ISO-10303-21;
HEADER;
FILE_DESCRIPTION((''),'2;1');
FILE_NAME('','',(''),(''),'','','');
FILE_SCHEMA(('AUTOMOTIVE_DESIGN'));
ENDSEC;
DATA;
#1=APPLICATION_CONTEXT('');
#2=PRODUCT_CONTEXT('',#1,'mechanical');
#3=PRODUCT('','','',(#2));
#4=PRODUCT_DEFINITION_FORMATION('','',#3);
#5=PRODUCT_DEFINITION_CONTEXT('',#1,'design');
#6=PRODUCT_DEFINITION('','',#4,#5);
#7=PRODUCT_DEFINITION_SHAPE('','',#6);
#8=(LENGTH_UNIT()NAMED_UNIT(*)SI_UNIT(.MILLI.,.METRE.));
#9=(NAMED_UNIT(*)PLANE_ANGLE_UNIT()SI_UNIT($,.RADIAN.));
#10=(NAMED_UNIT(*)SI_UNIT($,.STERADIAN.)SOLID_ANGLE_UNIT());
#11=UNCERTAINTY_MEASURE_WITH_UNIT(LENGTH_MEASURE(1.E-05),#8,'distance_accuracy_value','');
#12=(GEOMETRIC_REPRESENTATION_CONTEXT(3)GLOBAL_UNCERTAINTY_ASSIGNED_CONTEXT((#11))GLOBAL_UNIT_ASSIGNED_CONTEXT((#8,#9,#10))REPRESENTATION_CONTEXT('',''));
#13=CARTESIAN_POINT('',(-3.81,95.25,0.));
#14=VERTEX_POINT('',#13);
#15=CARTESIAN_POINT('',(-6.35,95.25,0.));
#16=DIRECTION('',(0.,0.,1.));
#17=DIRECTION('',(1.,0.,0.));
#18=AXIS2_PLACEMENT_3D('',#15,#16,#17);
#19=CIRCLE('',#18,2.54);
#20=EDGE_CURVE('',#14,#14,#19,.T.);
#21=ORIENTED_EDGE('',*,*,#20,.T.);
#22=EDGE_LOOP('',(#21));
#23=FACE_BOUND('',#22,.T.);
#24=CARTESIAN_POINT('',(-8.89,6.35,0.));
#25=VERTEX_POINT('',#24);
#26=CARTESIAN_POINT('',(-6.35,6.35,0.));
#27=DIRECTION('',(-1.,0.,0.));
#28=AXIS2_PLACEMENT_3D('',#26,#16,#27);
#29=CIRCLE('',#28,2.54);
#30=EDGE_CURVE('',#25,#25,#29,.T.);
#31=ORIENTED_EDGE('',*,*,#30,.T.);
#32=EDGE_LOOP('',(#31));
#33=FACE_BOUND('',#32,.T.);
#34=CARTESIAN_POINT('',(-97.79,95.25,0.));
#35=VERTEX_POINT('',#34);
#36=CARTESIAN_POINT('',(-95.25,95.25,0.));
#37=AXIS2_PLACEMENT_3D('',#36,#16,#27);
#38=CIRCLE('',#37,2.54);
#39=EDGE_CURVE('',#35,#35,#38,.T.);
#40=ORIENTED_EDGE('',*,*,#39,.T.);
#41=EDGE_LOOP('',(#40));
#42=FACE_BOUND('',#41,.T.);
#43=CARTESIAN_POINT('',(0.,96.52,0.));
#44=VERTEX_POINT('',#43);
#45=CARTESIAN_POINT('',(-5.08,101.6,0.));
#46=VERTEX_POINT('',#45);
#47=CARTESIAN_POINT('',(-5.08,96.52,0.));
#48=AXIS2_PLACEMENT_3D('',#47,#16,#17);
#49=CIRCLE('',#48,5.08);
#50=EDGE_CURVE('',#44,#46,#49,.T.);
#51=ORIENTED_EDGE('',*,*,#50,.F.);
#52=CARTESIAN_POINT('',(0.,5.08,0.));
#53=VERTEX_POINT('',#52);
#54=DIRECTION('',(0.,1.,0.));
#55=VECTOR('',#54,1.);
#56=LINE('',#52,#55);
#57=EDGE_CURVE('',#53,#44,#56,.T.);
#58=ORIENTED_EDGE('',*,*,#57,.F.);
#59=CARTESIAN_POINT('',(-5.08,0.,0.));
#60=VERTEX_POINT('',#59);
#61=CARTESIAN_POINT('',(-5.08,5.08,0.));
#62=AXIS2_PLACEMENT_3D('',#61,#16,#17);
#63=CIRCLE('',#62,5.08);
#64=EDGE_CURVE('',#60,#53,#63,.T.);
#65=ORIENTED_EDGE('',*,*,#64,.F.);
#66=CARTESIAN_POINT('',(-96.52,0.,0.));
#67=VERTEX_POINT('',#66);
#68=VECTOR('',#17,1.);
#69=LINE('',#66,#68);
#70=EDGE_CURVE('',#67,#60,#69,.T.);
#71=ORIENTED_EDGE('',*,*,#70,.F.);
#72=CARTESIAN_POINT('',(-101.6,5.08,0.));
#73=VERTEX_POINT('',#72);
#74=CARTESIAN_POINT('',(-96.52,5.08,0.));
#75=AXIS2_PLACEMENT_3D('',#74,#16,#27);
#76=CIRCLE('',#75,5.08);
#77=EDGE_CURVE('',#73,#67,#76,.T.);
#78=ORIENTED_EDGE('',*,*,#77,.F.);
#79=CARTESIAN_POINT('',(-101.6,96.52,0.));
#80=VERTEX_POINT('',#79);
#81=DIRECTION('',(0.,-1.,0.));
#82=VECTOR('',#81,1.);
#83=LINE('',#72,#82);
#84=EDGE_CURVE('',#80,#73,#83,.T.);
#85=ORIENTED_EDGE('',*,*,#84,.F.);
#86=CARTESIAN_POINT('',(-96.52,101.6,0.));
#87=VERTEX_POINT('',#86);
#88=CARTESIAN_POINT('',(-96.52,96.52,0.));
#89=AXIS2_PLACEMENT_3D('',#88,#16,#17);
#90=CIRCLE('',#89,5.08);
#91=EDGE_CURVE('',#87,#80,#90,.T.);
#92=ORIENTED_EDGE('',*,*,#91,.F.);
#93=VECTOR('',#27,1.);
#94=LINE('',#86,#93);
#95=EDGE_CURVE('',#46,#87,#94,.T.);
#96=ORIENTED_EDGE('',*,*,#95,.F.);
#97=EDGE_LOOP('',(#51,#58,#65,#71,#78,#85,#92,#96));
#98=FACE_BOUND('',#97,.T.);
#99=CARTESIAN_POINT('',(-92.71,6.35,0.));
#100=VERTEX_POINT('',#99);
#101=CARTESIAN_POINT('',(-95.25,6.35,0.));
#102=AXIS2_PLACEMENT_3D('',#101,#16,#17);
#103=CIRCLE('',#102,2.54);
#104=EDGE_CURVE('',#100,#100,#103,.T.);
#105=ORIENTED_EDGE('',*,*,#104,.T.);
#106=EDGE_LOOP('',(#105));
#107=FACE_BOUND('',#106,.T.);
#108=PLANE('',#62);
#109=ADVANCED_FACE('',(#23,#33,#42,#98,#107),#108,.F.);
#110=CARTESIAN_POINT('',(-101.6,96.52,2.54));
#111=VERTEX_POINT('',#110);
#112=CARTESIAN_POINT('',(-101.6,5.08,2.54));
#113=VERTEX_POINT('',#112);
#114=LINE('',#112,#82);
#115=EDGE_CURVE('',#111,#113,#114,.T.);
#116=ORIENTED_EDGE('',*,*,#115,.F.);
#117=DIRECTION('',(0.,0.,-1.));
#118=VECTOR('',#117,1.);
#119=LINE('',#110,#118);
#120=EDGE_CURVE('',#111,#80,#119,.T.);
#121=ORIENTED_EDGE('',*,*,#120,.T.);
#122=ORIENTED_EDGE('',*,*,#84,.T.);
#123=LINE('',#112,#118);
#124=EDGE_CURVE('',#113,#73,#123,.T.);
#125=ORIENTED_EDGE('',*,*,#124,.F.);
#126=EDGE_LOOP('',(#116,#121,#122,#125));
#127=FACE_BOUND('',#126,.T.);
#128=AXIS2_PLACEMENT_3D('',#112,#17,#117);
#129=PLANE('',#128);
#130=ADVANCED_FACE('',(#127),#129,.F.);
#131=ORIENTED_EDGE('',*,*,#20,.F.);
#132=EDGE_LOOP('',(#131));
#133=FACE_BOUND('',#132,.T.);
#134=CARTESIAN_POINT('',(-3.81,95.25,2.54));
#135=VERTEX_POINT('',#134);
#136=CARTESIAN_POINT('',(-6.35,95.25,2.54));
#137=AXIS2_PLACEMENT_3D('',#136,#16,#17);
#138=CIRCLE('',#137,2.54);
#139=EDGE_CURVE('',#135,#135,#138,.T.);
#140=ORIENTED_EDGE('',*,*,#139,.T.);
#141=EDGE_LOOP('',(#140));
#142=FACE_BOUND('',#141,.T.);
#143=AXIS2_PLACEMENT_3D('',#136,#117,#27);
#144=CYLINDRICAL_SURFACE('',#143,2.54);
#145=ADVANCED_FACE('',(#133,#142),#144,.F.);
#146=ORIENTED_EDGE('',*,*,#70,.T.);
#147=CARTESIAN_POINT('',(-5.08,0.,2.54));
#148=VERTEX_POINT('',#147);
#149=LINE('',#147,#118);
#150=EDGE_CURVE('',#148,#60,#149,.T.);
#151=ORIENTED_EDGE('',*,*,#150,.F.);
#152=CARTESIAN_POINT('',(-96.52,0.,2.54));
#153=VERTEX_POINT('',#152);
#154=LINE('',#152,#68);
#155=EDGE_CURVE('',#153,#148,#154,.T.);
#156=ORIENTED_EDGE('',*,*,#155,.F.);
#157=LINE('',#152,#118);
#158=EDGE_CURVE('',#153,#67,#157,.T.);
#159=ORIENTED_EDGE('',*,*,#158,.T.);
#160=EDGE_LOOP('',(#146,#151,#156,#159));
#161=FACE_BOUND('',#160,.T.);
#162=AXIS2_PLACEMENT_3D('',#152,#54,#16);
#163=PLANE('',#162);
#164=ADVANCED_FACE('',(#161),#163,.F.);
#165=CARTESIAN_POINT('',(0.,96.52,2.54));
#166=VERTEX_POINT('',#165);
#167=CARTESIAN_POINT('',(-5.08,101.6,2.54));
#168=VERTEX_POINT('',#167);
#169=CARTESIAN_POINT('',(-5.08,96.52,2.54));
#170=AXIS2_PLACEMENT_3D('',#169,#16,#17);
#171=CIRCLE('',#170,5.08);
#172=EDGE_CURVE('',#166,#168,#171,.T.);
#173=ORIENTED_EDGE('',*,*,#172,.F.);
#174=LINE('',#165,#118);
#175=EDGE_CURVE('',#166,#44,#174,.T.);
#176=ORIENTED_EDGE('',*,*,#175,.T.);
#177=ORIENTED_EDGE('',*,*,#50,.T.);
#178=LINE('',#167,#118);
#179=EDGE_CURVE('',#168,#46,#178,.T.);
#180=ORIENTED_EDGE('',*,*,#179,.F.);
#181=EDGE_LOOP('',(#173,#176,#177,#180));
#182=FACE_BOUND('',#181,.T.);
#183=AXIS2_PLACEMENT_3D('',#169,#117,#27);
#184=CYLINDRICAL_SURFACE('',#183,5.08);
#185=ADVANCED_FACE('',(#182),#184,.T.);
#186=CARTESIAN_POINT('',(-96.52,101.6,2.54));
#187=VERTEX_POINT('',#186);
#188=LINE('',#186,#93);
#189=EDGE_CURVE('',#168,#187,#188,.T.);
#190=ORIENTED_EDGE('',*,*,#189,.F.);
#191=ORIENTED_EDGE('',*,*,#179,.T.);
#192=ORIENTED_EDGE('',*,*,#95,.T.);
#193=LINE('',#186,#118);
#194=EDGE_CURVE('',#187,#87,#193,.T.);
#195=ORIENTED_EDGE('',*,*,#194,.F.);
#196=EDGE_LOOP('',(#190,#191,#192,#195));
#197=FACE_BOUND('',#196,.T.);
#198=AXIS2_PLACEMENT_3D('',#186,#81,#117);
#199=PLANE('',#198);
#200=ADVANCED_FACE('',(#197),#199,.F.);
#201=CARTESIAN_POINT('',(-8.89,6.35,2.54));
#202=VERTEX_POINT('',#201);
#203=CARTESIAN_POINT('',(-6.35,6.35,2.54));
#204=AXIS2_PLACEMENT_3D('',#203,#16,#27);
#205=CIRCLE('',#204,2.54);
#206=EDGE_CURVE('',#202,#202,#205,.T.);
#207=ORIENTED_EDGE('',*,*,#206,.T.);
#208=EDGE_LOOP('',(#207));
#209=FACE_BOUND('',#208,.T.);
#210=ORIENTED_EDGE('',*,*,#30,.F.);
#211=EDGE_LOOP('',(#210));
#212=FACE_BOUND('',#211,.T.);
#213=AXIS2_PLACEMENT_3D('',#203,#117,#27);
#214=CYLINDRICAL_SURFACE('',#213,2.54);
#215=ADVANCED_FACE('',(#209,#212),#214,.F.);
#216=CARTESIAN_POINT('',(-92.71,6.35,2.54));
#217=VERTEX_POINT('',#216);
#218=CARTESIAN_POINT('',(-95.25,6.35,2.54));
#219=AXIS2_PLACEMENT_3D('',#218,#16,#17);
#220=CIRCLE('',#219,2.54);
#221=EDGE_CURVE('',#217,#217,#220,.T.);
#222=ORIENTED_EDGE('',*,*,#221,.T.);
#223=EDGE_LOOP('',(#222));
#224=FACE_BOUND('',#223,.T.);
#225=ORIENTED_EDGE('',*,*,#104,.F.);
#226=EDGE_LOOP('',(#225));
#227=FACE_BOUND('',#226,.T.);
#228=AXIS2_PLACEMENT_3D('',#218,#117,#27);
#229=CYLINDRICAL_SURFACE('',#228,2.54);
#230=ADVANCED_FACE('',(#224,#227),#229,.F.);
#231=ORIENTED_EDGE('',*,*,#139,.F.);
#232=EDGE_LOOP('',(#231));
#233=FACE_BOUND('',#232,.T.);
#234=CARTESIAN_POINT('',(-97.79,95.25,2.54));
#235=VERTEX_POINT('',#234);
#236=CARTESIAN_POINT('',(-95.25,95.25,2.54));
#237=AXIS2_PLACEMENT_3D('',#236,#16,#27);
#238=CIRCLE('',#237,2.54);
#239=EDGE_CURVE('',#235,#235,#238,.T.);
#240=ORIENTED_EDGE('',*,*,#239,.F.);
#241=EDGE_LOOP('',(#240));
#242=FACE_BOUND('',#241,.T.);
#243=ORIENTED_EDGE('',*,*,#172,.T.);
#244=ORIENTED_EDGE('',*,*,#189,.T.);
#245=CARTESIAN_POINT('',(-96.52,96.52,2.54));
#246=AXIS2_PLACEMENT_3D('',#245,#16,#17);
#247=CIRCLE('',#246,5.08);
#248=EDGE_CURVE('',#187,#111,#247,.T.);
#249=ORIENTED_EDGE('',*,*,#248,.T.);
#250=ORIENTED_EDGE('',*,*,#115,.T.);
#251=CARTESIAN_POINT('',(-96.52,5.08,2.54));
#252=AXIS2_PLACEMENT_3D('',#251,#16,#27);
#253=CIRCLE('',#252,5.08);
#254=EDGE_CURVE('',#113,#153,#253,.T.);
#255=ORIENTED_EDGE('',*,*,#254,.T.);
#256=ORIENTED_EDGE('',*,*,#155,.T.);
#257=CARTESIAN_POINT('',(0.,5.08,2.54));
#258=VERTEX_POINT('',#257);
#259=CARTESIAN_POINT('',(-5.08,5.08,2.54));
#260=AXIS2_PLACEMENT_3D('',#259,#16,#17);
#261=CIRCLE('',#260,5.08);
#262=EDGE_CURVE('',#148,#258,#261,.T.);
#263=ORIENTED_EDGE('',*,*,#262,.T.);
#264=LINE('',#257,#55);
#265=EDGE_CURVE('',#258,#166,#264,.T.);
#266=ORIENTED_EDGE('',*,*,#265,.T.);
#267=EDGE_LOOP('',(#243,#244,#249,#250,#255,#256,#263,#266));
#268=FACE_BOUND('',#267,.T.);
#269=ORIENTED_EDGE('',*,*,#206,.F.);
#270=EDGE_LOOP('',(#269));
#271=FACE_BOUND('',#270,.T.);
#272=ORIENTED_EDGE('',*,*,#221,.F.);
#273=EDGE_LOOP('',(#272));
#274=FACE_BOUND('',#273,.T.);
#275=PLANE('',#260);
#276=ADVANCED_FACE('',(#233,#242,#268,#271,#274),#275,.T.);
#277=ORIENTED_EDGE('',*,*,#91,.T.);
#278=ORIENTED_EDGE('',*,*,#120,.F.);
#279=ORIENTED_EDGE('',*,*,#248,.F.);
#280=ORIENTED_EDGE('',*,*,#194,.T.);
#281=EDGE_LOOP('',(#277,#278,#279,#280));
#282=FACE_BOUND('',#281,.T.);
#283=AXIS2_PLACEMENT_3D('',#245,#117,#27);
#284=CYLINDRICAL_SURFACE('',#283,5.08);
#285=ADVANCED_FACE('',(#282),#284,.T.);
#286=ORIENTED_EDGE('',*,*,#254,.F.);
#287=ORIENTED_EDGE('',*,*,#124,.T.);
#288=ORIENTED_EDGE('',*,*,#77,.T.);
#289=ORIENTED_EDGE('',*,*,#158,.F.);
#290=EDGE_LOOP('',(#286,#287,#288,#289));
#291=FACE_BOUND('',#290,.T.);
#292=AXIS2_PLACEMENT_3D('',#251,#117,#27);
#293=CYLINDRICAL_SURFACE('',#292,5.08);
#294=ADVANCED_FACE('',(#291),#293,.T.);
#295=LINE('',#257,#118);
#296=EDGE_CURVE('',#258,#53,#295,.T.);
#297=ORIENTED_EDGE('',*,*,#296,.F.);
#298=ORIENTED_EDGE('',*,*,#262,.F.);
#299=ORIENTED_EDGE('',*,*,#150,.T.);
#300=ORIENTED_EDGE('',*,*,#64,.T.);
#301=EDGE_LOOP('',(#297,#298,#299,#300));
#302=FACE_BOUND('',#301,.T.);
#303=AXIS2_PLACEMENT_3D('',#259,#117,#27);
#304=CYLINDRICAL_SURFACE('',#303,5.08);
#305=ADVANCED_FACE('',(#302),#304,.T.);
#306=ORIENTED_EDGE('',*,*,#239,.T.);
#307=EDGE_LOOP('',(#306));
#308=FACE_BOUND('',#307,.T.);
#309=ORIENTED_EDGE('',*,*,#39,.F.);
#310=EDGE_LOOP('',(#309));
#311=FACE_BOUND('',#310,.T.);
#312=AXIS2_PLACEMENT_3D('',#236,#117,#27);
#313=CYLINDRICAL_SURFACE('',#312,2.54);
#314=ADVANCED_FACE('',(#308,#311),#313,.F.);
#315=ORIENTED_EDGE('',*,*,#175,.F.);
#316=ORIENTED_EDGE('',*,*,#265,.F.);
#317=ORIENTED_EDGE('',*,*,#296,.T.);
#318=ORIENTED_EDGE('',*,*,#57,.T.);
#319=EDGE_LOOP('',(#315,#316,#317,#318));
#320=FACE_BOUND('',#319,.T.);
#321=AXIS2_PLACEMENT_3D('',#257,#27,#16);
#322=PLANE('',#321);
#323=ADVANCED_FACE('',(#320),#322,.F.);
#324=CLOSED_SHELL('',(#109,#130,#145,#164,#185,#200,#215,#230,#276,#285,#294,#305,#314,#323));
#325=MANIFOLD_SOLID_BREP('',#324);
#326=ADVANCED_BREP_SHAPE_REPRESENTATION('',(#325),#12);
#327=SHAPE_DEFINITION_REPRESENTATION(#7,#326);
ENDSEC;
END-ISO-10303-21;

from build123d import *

# Parameters (mm, degrees)
BOSS_EXTRUDE1_DEPTH = 2.54
SKETCH4_R           = 2.54
CUT_EXTRUDE2_DEPTH  = 2.54


with BuildPart() as part:
    # Sketch1 → Boss-Extrude1 (new body)
    with BuildSketch(Plane.XY):
        with BuildLine():
            Line((-96.52, 0), (-5.08, 0))
            ThreePointArc((-5.08, 0), (-1.487897552, 1.487897552), (0, 5.08))
            Line((0, 5.08), (0, 96.52))
            ThreePointArc((0, 96.52), (-1.487897552, 100.112102448), (-5.08, 101.6))
            Line((-5.08, 101.6), (-96.52, 101.6))
            ThreePointArc((-96.52, 101.6), (-100.112102448, 100.112102448), (-101.6, 96.52))
            Line((-101.6, 96.52), (-101.6, 5.08))
            ThreePointArc((-101.6, 5.08), (-100.112102448, 1.487897552), (-96.52, 0))
        make_face()
    extrude(amount=BOSS_EXTRUDE1_DEPTH)

    # Sketch4 → Cut-Extrude2 (cut)
    with BuildSketch(Plane.XY):
        with Locations((-95.25, 6.35)):
            Circle(SKETCH4_R)
        with Locations(Location((-6.35, 6.35, 0), (0, 0, 180))):
            Circle(SKETCH4_R)
        with Locations((-6.35, 95.25)):
            Circle(SKETCH4_R)
        with Locations(Location((-95.25, 95.25, 0), (0, 0, 180))):
            Circle(SKETCH4_R)
    extrude(amount=CUT_EXTRUDE2_DEPTH, mode=Mode.SUBTRACT)


solid = part.part
